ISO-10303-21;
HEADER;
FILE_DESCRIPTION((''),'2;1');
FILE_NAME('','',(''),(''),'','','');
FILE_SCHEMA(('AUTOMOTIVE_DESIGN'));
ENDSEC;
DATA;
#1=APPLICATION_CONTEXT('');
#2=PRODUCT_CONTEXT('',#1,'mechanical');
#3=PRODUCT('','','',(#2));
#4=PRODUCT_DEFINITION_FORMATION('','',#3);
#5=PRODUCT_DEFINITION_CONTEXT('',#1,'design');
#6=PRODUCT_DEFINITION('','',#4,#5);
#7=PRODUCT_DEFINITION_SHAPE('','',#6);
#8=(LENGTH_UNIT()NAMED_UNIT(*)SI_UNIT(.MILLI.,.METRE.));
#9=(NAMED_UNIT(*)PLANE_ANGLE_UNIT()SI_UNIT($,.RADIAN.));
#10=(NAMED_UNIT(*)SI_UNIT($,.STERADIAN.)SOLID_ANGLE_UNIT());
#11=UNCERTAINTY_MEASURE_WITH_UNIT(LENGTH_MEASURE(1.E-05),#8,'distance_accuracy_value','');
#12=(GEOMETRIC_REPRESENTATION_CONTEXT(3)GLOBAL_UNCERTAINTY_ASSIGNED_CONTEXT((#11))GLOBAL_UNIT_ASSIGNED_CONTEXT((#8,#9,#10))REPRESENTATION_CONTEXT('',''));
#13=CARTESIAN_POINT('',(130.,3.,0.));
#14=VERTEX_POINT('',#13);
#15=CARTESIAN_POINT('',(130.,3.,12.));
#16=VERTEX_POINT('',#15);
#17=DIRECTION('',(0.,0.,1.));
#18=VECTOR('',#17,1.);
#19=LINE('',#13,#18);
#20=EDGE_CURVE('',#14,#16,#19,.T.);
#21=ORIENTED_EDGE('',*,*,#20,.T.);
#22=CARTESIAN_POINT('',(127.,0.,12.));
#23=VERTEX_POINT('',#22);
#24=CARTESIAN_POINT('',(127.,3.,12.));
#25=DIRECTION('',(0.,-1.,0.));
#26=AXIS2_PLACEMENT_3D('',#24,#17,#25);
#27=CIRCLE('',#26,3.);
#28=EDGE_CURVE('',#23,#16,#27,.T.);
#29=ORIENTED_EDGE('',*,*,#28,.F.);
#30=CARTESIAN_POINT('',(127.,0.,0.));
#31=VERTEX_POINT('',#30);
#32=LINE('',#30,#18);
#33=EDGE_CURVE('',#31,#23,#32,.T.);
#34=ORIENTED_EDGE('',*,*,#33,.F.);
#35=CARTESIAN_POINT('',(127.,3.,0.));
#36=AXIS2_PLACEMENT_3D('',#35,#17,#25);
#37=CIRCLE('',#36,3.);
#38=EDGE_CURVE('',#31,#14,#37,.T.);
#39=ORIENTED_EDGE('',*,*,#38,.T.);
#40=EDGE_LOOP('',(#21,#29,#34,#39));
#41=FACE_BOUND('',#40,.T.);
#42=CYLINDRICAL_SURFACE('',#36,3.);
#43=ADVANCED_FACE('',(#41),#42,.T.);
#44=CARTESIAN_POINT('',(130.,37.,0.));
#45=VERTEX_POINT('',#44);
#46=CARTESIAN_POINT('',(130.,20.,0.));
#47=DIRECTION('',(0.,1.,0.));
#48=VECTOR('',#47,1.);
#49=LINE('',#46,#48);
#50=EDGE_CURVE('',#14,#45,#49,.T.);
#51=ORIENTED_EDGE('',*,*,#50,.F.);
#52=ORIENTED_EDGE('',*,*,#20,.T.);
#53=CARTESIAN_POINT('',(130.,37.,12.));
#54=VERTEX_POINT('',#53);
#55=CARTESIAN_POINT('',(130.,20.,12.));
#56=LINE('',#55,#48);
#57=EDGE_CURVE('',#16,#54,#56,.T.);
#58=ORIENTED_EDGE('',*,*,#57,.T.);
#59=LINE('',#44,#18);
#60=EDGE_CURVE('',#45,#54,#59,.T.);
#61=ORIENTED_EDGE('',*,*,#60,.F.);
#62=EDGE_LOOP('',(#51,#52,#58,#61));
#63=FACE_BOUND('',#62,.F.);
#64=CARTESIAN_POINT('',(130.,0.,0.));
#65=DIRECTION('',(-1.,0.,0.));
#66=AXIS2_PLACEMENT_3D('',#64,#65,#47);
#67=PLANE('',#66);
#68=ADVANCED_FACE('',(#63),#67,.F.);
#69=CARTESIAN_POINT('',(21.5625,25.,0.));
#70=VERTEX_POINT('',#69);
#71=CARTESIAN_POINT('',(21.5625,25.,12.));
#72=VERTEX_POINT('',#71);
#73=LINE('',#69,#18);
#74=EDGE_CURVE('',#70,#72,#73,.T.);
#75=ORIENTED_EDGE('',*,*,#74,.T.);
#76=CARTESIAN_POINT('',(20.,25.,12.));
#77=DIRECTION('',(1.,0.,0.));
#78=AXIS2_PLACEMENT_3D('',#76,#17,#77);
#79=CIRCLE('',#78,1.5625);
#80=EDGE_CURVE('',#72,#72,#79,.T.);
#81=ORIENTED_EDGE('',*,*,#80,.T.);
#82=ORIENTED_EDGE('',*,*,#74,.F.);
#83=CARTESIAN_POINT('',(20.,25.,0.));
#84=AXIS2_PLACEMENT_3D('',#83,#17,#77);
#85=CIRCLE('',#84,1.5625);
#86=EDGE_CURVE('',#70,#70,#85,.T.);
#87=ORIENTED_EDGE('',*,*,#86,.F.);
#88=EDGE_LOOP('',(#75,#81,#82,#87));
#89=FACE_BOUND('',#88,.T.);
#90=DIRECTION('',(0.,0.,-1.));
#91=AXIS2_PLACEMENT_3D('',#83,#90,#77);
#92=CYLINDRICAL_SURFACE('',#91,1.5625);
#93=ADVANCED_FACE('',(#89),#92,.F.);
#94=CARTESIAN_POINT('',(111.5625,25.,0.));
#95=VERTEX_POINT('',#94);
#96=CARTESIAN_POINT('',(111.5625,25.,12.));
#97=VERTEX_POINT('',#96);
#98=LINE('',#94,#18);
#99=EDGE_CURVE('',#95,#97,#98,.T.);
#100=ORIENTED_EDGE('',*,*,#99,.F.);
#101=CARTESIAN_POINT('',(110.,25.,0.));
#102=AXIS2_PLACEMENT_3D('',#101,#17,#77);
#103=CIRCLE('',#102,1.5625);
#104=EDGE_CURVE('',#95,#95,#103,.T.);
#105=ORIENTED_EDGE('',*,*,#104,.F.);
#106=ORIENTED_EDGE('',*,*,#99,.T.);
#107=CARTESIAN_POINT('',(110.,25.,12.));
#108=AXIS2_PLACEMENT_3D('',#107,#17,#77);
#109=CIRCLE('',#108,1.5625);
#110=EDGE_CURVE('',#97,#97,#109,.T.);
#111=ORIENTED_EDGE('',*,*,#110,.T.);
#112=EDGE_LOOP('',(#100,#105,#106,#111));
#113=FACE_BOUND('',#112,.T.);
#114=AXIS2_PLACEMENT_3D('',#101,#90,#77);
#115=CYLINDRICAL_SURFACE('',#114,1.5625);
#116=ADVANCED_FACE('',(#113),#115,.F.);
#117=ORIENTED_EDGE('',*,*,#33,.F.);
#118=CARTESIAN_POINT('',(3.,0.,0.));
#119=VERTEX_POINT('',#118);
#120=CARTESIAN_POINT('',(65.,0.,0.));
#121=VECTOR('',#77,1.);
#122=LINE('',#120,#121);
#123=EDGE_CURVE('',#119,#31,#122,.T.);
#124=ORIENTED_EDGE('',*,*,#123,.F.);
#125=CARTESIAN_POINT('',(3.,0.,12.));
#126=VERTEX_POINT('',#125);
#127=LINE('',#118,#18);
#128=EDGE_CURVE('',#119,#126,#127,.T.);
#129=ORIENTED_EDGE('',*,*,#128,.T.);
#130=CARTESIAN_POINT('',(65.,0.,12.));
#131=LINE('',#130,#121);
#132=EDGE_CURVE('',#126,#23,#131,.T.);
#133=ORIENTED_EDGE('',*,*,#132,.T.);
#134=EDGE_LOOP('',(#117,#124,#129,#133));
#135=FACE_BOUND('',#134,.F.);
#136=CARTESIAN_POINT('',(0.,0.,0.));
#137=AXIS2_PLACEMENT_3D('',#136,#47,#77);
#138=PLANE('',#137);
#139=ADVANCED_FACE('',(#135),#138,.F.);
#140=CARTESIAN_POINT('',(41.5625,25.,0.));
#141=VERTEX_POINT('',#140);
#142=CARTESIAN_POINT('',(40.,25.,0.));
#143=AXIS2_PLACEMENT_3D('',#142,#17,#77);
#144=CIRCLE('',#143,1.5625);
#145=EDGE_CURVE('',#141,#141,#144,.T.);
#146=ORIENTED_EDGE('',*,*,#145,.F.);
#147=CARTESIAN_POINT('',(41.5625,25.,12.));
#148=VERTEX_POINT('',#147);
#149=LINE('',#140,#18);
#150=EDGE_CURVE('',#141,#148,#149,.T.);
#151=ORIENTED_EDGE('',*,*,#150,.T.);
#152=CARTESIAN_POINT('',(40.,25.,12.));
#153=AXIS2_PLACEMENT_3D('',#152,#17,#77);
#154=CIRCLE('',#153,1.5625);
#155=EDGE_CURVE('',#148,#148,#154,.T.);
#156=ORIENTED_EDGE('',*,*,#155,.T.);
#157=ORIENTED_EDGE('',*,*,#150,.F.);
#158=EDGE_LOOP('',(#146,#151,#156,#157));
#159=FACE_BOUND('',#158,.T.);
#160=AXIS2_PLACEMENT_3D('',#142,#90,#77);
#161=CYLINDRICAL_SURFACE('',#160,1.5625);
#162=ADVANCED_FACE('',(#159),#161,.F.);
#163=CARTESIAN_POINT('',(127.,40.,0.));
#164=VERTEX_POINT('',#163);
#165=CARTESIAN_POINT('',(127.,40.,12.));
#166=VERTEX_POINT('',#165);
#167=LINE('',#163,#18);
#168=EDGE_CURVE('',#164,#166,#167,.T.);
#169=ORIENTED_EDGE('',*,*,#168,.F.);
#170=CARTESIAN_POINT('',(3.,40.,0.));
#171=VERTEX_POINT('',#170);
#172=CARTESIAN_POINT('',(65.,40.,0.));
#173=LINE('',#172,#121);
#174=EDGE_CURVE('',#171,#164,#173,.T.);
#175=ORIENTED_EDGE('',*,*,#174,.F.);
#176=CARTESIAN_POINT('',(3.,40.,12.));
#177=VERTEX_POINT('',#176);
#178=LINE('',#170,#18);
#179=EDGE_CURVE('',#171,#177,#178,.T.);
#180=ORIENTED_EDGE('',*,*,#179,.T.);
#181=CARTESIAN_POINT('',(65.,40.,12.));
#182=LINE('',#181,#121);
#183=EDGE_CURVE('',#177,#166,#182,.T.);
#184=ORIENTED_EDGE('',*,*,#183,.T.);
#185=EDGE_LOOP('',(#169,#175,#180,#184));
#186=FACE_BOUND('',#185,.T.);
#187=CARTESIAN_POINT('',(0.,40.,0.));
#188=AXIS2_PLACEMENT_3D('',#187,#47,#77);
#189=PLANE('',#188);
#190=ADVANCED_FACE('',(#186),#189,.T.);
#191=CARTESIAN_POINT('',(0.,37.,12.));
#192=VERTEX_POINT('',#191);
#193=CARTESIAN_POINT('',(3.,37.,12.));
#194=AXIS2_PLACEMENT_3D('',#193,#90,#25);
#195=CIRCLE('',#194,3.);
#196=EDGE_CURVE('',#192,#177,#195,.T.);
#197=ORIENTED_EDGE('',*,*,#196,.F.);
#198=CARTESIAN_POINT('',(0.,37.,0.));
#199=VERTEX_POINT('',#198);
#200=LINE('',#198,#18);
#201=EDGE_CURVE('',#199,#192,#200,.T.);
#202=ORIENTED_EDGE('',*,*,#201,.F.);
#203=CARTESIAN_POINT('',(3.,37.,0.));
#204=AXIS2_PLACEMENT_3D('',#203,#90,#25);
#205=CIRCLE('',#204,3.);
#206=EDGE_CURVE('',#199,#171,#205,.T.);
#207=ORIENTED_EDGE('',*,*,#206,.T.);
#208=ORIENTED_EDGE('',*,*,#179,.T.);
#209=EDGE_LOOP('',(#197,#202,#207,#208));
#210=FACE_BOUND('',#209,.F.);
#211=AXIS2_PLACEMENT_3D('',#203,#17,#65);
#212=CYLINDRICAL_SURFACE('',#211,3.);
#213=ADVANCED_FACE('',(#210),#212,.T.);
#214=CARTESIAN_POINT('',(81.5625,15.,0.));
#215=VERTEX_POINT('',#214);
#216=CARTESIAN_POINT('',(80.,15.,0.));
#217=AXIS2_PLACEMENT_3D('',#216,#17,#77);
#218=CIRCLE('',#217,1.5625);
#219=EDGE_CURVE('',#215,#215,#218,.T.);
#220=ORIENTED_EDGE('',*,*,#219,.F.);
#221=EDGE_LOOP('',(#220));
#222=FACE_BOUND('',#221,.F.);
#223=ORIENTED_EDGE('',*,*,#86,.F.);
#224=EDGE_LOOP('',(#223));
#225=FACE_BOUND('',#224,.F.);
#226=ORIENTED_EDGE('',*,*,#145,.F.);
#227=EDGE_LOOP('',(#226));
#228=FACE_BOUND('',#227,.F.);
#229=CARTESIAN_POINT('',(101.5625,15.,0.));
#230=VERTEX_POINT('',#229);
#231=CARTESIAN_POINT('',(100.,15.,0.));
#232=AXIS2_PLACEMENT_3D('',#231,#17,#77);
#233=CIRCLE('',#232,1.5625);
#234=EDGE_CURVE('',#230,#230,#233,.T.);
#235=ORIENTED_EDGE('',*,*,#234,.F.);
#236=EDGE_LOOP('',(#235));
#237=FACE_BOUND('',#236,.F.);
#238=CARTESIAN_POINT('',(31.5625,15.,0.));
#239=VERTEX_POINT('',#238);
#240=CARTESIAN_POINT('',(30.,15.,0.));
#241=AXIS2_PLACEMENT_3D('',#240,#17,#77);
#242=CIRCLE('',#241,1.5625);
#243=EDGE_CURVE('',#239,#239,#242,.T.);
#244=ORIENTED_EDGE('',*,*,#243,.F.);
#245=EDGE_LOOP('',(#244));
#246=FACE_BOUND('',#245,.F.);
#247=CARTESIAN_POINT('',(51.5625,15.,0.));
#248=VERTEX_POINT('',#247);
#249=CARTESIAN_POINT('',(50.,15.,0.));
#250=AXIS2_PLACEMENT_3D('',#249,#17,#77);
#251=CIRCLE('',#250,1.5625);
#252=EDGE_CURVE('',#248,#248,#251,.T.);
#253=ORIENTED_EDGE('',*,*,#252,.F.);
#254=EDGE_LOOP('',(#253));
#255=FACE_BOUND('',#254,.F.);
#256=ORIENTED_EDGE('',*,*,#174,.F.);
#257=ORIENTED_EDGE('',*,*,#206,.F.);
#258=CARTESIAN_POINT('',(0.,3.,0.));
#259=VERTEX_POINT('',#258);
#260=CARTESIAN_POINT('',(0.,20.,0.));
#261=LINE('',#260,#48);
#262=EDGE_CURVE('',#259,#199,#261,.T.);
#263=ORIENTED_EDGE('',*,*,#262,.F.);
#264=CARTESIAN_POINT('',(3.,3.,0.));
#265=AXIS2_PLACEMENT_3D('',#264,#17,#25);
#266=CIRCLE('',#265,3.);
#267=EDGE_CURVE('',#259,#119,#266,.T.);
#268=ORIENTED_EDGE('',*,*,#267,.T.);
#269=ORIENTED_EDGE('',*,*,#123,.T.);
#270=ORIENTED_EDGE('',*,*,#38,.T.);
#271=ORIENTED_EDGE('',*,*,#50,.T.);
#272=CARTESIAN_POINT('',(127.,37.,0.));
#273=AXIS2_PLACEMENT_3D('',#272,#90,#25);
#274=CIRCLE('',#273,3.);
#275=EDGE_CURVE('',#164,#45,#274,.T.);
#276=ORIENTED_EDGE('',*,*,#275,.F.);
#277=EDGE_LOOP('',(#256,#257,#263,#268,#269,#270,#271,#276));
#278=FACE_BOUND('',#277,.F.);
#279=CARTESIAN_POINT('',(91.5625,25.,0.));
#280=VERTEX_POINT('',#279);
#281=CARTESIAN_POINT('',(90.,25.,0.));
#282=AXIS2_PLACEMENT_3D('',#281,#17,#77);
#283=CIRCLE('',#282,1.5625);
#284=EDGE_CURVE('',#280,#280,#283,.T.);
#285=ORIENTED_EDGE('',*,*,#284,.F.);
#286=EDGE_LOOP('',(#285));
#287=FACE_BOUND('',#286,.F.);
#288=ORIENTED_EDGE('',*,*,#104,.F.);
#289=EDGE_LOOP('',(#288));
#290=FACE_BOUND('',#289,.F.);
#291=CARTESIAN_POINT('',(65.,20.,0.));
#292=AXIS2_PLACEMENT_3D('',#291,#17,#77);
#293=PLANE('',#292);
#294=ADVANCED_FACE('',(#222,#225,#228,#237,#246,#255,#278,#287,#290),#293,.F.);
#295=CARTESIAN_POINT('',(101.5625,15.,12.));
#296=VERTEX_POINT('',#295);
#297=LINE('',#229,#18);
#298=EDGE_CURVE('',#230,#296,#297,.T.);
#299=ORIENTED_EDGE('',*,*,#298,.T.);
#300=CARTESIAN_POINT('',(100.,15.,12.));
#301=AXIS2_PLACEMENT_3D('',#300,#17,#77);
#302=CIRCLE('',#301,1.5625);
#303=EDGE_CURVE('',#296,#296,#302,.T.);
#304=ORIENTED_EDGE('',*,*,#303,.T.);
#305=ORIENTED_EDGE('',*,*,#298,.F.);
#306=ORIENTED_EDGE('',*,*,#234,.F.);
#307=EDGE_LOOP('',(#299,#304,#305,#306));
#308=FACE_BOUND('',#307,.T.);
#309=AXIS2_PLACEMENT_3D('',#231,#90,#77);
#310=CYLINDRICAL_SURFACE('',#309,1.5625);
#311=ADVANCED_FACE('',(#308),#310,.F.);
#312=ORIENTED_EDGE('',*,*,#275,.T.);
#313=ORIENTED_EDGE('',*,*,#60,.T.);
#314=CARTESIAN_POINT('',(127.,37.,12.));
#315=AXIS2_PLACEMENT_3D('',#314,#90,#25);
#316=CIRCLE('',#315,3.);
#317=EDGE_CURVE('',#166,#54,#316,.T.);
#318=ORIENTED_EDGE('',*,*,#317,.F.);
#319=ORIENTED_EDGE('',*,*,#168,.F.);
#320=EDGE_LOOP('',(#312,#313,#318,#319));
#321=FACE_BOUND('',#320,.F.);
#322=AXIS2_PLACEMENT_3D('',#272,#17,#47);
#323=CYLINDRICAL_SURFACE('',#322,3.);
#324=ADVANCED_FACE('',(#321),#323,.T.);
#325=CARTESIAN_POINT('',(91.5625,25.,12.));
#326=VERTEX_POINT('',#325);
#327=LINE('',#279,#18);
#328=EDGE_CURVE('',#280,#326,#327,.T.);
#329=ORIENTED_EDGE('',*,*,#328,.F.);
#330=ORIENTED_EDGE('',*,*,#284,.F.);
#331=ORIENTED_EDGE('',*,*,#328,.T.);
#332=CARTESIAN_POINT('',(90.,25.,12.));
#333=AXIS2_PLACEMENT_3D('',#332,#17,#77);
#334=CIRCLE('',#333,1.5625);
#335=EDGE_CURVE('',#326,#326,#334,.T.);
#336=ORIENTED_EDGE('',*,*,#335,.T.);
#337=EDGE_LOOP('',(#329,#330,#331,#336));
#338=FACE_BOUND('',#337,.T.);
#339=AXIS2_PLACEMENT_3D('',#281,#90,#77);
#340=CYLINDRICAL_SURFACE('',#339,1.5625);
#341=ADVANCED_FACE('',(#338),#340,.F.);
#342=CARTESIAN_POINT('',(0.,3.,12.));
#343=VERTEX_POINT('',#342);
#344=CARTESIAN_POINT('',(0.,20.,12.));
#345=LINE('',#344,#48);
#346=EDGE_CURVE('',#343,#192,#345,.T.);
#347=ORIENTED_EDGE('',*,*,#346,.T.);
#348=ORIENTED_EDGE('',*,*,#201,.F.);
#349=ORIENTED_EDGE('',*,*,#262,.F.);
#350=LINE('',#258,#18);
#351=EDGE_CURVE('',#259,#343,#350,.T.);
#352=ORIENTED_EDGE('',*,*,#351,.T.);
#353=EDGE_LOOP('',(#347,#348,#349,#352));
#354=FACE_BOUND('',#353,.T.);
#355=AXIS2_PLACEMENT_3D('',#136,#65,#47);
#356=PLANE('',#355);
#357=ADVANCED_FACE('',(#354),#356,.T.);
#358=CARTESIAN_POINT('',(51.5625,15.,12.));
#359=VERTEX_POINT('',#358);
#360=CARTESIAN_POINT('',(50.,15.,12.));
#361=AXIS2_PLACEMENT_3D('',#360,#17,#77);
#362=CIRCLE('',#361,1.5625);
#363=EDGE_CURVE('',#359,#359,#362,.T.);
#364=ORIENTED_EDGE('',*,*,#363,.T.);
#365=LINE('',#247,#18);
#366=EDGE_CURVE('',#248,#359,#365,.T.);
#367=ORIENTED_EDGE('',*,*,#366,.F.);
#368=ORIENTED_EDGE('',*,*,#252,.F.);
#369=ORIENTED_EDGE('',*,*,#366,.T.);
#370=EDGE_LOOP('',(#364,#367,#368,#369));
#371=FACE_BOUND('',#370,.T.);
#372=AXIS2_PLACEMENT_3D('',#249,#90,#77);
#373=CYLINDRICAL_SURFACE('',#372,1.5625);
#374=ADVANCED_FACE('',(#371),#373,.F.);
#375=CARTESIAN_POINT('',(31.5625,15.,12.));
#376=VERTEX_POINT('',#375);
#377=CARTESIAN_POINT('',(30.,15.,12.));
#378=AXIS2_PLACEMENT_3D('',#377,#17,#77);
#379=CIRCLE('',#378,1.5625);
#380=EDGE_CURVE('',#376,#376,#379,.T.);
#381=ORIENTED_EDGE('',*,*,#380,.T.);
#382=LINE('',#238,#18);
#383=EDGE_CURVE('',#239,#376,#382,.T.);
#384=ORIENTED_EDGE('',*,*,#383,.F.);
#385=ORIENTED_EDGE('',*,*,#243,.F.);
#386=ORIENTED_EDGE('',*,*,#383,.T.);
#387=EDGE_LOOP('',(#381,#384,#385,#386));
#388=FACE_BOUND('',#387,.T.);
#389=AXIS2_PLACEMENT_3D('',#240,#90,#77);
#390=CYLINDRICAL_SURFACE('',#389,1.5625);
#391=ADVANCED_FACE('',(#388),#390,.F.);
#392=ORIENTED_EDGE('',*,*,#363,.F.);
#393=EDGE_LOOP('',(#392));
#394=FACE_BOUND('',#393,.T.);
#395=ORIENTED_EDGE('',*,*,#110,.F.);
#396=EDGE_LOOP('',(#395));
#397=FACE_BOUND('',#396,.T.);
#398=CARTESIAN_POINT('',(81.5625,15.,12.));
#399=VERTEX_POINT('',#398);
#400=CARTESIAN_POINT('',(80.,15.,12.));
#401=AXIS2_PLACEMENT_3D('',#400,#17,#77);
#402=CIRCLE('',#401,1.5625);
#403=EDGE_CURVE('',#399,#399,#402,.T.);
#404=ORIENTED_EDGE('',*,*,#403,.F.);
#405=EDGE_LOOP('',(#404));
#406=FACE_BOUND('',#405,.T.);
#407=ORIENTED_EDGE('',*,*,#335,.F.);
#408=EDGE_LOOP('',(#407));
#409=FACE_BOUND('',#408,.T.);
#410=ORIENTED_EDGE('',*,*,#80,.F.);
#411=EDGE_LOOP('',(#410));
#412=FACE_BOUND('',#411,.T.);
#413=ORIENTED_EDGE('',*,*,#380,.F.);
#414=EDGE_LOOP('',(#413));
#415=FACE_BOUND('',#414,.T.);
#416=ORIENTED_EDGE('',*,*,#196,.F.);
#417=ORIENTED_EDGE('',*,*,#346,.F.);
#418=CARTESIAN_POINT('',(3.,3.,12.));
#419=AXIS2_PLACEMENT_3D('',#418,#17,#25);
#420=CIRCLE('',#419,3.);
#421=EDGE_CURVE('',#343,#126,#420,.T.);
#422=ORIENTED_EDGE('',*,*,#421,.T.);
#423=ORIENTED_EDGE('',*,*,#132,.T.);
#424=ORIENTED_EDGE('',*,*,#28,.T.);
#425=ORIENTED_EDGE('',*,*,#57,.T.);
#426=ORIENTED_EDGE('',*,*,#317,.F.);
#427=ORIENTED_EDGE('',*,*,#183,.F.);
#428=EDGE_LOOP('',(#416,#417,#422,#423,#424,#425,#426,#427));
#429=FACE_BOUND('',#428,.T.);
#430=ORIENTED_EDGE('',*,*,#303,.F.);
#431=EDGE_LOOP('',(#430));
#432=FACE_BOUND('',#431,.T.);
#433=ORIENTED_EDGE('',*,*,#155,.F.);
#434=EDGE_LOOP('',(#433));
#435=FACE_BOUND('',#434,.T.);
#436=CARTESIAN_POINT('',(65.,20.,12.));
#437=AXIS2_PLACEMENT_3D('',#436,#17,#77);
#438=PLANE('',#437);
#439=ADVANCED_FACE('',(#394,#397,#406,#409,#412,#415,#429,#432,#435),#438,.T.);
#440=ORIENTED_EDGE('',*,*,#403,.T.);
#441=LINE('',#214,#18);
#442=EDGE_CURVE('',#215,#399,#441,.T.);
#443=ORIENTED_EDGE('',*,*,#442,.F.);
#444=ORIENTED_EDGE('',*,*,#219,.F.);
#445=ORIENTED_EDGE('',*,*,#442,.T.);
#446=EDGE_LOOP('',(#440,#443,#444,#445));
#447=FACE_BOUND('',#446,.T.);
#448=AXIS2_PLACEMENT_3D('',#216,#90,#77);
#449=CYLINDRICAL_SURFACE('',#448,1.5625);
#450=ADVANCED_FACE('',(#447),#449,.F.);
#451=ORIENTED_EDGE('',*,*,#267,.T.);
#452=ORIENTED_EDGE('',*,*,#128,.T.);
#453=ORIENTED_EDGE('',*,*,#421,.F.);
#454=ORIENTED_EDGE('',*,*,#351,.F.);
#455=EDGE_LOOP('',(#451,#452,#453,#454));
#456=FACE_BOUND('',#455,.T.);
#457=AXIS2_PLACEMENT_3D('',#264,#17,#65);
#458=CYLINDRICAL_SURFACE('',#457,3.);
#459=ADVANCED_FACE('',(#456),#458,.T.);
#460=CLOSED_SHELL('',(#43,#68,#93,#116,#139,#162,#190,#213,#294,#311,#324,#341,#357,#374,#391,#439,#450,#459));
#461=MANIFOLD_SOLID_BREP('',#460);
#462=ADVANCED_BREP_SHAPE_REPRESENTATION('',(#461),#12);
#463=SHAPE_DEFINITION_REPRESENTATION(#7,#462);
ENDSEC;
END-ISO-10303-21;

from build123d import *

# Parameters (mm, degrees)
SKETCH_W  = 130
SKETCH_H  = 40
SKETCH_R  = 1.5625
PAD_DEPTH = 12
FILLET_R  = 3


with BuildPart() as part:
    # Sketch → Pad (new body)
    with BuildSketch(Plane.XY):
        with Locations((65, 20)):
            Rectangle(SKETCH_W, SKETCH_H)
        with Locations((20, 25)):
            Circle(SKETCH_R, mode=Mode.SUBTRACT)
        with Locations((40, 25)):
            Circle(SKETCH_R, mode=Mode.SUBTRACT)
        with Locations((30, 15)):
            Circle(SKETCH_R, mode=Mode.SUBTRACT)
        with Locations((50, 15)):
            Circle(SKETCH_R, mode=Mode.SUBTRACT)
        with Locations((110, 25)):
            Circle(SKETCH_R, mode=Mode.SUBTRACT)
        with Locations((90, 25)):
            Circle(SKETCH_R, mode=Mode.SUBTRACT)
        with Locations((100, 15)):
            Circle(SKETCH_R, mode=Mode.SUBTRACT)
        with Locations((80, 15)):
            Circle(SKETCH_R, mode=Mode.SUBTRACT)
    extrude(amount=PAD_DEPTH)

    # Fillet
    fillet_edges = [part.edges().sort_by_distance(p)[0] for p in [
        (0, 0, 6),
        (130, 0, 6),
        (130, 40, 6),
        (0, 40, 6),
    ]]
    fillet(fillet_edges, radius=FILLET_R)


solid = part.part
